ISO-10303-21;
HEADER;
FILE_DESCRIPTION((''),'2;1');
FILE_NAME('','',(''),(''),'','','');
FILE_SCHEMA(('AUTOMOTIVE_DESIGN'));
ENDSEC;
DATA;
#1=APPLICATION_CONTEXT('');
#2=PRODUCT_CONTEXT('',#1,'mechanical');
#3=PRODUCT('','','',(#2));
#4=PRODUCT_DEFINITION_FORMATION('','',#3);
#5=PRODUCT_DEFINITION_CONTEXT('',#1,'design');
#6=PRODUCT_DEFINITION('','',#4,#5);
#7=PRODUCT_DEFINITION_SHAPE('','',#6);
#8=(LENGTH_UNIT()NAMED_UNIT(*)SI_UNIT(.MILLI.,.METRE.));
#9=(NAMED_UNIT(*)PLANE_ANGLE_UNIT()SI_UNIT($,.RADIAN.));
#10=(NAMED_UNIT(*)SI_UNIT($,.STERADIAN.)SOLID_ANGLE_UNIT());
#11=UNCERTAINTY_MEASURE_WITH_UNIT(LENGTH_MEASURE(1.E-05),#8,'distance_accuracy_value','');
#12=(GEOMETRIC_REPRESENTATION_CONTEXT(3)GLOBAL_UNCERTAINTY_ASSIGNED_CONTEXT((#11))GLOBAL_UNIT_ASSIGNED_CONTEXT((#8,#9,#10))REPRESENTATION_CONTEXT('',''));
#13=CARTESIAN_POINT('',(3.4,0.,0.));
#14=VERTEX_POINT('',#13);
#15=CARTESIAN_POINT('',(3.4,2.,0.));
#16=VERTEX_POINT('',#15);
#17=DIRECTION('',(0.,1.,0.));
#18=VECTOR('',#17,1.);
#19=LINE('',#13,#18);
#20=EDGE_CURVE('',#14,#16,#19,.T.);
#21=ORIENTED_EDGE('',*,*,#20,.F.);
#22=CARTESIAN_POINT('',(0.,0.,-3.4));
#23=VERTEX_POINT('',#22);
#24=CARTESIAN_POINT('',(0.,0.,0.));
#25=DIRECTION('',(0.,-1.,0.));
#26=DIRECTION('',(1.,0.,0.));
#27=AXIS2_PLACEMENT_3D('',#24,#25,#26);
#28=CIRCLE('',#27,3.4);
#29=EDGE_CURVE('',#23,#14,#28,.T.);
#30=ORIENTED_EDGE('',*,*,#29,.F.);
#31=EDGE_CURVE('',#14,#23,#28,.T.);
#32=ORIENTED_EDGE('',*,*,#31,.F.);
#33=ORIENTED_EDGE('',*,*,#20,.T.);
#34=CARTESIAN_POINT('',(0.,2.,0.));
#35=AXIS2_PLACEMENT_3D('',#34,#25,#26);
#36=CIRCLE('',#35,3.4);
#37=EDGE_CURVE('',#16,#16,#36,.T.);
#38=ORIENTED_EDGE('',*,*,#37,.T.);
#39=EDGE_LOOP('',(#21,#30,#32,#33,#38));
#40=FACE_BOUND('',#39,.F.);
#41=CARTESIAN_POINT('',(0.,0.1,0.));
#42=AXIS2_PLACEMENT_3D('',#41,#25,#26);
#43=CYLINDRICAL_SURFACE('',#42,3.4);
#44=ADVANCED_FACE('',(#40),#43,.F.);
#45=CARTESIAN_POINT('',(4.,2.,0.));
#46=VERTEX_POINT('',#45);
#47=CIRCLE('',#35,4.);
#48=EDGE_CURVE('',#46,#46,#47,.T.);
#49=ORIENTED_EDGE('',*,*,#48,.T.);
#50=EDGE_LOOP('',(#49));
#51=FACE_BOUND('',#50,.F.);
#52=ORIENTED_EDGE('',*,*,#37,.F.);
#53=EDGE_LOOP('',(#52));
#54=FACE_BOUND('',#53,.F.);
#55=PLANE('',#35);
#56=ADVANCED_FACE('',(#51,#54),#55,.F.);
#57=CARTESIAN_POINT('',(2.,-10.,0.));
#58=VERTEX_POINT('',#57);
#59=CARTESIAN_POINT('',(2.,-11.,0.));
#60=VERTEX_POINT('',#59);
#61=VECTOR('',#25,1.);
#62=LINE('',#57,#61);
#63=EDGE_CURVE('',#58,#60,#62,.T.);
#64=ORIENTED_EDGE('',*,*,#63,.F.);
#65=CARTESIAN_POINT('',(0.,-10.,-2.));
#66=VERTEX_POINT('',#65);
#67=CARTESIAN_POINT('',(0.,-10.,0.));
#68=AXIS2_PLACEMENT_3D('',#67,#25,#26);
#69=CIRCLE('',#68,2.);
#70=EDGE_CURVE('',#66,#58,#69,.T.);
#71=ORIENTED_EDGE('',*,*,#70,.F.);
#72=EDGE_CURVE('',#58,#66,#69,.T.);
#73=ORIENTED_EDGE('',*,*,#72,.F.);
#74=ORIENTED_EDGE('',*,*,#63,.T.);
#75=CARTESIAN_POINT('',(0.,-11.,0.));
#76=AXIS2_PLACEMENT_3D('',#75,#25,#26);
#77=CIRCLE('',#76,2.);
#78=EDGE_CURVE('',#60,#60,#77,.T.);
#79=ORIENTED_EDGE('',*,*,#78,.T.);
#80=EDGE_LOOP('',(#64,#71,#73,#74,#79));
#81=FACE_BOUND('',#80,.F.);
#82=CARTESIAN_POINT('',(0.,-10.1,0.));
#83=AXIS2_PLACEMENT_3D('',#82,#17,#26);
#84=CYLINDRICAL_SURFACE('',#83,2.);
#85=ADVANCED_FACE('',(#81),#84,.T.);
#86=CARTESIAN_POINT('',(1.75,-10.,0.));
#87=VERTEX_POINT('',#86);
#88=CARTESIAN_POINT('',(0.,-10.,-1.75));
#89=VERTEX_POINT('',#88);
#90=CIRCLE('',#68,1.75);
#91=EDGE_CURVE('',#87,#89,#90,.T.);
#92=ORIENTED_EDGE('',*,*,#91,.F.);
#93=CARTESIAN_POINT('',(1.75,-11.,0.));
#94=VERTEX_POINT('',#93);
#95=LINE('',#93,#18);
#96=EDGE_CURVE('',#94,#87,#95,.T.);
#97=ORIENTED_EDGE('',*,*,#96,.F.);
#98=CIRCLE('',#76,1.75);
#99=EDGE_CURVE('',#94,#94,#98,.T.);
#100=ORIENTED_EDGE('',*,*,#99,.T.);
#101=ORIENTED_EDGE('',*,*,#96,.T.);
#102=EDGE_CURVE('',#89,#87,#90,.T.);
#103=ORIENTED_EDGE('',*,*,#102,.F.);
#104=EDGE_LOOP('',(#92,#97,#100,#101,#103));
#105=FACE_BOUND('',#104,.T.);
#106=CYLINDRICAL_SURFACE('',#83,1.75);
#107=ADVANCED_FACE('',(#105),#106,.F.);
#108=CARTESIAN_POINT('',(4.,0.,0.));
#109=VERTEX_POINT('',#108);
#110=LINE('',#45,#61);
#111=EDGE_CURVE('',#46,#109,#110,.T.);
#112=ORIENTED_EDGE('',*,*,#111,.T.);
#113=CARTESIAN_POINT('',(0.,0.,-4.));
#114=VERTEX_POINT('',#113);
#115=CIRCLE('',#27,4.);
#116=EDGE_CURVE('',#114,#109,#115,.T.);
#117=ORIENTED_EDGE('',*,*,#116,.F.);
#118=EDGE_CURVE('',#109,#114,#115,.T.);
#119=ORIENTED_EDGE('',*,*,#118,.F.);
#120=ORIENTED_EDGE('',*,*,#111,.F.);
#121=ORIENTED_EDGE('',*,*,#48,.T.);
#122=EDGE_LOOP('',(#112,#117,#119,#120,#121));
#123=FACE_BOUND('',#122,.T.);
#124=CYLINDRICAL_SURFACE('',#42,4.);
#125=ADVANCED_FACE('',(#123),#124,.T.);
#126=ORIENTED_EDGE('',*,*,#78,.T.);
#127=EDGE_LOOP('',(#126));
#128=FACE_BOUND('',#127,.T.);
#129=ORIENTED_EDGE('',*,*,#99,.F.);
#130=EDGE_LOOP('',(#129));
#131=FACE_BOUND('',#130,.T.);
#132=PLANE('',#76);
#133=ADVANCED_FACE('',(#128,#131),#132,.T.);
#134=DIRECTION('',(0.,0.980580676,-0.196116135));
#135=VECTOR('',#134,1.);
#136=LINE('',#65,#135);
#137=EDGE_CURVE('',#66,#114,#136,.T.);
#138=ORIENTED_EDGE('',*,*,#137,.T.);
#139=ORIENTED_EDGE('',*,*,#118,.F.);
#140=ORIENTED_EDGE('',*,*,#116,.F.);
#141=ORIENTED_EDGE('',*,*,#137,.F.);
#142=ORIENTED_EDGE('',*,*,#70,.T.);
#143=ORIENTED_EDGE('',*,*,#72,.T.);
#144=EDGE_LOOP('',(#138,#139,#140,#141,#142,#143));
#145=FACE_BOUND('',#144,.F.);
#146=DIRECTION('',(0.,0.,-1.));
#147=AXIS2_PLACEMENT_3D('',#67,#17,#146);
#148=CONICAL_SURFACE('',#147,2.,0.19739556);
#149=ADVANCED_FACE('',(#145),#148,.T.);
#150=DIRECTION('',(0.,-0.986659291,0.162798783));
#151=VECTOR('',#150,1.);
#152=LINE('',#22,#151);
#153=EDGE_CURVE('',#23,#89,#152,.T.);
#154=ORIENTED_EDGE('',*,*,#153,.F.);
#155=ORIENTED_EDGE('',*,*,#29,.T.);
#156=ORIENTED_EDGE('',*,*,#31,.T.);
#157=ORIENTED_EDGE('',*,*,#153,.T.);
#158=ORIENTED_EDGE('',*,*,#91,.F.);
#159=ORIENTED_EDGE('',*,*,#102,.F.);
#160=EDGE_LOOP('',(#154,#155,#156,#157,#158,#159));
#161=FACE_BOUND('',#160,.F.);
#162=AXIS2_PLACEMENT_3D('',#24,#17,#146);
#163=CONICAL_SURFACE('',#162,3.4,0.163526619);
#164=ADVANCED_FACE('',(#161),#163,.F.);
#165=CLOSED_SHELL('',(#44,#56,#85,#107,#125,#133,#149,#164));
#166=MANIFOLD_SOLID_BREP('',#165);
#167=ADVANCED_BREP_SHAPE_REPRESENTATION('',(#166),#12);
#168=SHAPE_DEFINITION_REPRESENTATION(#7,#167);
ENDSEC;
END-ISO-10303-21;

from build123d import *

# Parameters (mm, degrees)
F2_R      = 2
F2_R_2    = 1.75
F3_DEPTH  = 2
F1_R      = 4
F1_R_2    = 3.4
F4_DEPTH  = 2
F7_DEPTH  = 1.9
F8_DEPTH  = 1.9
F9_DEPTH  = 0.9
F10_DEPTH = 1.9


with BuildPart() as f3:
    # F2 (on offset) → F3 (new body)
    with BuildSketch(Plane.XZ.offset(10)):
        Circle(F2_R)
        Circle(F2_R_2, mode=Mode.SUBTRACT)
    extrude(amount=F3_DEPTH)



with BuildPart() as f4:
    # F1 (on Front) → F4 (new body)
    with BuildSketch(Plane.XZ):
        Circle(F1_R)
        Circle(F1_R_2, mode=Mode.SUBTRACT)
    extrude(amount=-F4_DEPTH)


with BuildPart() as f3_1:
    add(f3.part)

    add(f4.part)  # F6 merges F4
    # F5 (on Right) → F6 (revolve)
    with BuildSketch(Plane.YZ):
        Polygon((-10, -2), (0, -4), (0, -3.4), (-10, -1.75), align=None)
    revolve(axis=Axis((0, -5, 0), (0, -1, 0)))

    # F7 (cut): a face of the model
    f7_faces = [f3_1.faces().sort_by_distance(p)[0] for p in [
        (-1.9434314575, -12, 0),
    ]]
    extrude(f7_faces, amount=-F7_DEPTH, mode=Mode.SUBTRACT)

    # F8 (cut): a face of the model
    f8_faces = [f3_1.faces().sort_by_distance(p)[0] for p in [
        (-3.886862915, 2, 0),
    ]]
    extrude(f8_faces, amount=-F8_DEPTH, mode=Mode.SUBTRACT)

    # F9 (add): a face of the model
    f9_faces = [f3_1.faces().sort_by_distance(p)[0] for p in [
        (-1.9434314575, -10.1, 0),
    ]]
    extrude(f9_faces, amount=F9_DEPTH)

    # F10 (add): a face of the model
    f10_faces = [f3_1.faces().sort_by_distance(p)[0] for p in [
        (-3.886862915, 0.1, 0),
    ]]
    extrude(f10_faces, amount=F10_DEPTH)


solid = f3_1.part
